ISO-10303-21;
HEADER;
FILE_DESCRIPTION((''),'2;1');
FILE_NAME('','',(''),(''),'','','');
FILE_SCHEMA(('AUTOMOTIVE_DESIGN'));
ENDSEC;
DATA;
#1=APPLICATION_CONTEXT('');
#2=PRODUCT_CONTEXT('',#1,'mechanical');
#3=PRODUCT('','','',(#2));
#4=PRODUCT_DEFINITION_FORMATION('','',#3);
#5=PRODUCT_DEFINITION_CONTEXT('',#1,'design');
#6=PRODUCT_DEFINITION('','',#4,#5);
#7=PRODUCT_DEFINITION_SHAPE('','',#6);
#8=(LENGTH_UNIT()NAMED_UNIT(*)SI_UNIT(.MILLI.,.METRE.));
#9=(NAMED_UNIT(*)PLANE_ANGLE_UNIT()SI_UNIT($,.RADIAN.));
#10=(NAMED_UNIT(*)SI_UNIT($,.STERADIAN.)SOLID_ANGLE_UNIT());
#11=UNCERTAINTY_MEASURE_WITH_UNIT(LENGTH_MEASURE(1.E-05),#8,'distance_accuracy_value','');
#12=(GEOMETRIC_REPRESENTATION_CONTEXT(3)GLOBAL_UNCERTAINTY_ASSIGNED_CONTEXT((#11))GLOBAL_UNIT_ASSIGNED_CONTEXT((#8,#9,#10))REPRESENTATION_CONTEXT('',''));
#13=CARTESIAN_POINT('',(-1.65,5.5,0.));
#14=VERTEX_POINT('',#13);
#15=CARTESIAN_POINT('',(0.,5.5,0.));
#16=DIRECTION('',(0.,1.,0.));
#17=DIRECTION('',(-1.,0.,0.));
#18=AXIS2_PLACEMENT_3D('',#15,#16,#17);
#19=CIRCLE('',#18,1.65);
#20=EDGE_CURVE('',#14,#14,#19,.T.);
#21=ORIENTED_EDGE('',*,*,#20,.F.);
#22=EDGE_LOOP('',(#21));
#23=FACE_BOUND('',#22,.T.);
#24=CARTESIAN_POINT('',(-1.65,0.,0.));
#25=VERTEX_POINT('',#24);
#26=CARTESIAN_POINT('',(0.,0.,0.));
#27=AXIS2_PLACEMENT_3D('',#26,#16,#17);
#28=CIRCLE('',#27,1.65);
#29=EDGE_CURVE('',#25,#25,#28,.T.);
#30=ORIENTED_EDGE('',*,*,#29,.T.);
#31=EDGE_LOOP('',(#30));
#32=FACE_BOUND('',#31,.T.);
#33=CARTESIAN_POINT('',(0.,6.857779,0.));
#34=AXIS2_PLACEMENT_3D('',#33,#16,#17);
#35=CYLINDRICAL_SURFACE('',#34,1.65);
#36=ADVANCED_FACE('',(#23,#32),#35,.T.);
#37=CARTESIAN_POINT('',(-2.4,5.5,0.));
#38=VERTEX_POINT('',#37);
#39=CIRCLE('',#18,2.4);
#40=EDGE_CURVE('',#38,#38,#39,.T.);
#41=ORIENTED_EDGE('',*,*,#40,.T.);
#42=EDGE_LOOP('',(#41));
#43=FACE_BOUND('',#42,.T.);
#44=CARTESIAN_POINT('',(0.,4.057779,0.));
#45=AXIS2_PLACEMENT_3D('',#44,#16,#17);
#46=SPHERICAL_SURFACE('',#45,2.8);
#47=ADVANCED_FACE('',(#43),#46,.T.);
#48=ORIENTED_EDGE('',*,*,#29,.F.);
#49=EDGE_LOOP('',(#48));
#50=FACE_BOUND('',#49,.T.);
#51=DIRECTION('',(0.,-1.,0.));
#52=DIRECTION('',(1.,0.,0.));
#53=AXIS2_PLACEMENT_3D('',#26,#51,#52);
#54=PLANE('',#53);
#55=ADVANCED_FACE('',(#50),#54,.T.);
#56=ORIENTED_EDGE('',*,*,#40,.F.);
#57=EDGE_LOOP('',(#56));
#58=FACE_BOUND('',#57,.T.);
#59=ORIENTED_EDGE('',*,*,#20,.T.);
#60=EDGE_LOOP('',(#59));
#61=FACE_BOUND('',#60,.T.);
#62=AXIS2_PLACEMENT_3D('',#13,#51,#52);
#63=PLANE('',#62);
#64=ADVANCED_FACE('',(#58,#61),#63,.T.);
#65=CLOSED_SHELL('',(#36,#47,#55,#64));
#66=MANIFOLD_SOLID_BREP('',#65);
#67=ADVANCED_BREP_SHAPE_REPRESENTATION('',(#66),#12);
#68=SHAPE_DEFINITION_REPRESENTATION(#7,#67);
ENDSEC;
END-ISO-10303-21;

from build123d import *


with BuildPart() as part:
    # Sketch1 → Revolve1 (revolve)
    with BuildSketch(Plane.XY):
        with BuildLine():
            Line((0, 6.85777949), (0, 0))
            Line((0, 0), (-1.65, 0))
            Line((-1.65, 0), (-1.65, 5.5))
            Line((-1.65, 5.5), (-2.4, 5.5))
            ThreePointArc((-2.4, 5.5), (-1.378728141, 6.494808155), (0, 6.85777949))
        make_face()
    revolve(axis=Axis((0, 6.85777949, 0), (0, -1, 0)))


solid = part.part
